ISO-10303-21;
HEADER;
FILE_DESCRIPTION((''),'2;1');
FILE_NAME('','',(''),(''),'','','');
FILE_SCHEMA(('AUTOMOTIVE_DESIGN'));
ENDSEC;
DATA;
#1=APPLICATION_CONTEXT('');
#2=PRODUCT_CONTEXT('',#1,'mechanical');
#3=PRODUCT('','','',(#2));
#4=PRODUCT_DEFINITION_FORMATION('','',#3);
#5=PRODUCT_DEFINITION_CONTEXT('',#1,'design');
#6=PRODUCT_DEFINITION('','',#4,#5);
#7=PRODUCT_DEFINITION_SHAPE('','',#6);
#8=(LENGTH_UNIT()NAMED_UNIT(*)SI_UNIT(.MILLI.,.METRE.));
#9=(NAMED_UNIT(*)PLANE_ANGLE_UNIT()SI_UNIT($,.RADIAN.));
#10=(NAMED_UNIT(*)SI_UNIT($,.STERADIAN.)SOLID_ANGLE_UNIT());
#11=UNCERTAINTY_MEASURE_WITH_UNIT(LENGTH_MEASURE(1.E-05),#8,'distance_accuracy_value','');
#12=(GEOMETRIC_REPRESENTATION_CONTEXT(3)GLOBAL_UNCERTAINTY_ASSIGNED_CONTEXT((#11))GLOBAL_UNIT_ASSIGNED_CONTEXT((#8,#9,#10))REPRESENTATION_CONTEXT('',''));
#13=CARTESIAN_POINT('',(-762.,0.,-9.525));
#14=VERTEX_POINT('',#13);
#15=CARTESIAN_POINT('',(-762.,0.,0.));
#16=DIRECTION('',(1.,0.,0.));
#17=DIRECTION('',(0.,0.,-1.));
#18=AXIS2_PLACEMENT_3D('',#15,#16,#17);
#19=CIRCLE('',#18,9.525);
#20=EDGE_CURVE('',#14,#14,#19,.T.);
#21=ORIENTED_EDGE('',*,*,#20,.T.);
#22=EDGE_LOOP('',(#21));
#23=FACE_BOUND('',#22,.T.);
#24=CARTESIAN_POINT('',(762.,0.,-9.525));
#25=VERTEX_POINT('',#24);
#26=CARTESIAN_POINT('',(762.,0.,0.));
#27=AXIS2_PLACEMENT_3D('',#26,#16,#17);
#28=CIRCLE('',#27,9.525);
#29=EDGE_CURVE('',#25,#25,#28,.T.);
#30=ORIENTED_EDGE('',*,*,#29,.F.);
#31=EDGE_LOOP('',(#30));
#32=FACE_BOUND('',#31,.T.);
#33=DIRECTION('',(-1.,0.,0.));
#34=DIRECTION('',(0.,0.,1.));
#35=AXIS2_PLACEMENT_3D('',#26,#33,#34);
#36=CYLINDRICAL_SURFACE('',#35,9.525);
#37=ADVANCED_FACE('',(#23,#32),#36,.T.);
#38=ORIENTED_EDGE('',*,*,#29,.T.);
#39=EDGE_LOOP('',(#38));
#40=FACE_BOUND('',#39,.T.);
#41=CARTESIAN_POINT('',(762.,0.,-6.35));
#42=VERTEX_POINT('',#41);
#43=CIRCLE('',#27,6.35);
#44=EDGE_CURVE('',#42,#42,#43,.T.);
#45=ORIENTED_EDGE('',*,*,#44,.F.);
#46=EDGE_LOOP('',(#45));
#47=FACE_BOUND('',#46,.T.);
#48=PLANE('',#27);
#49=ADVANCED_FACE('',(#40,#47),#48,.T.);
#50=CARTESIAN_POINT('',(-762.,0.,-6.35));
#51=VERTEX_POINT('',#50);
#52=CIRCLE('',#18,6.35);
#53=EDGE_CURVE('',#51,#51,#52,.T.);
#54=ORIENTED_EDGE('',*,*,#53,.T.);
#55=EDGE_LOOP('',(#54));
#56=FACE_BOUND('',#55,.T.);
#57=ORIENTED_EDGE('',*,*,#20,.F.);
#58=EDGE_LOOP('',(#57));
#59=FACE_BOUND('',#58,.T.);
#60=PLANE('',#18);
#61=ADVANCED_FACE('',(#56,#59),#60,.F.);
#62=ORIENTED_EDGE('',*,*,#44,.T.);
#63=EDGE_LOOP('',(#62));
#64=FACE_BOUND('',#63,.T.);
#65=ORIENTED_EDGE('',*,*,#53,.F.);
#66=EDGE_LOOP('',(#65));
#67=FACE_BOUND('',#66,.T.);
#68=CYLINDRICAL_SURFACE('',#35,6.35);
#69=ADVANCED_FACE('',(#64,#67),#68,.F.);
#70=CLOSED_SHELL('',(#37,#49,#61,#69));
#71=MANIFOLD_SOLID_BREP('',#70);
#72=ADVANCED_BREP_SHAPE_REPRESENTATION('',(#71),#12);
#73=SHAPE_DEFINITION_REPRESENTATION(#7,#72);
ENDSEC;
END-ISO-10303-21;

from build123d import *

# Parameters (mm, degrees)
SKETCH1_R      = 9.525
SKETCH1_R_2    = 6.35
EXTRUDE1_DEPTH = 762


with BuildPart() as part:
    # Sketch1 → Extrude1 (new, symmetric)
    with BuildSketch(Plane(origin=(0, 0, 0), x_dir=(0, 0, -1), z_dir=(1, 0, 0))):
        Circle(SKETCH1_R)
        Circle(SKETCH1_R_2, mode=Mode.SUBTRACT)
    extrude(amount=EXTRUDE1_DEPTH, both=True)


solid = part.part
